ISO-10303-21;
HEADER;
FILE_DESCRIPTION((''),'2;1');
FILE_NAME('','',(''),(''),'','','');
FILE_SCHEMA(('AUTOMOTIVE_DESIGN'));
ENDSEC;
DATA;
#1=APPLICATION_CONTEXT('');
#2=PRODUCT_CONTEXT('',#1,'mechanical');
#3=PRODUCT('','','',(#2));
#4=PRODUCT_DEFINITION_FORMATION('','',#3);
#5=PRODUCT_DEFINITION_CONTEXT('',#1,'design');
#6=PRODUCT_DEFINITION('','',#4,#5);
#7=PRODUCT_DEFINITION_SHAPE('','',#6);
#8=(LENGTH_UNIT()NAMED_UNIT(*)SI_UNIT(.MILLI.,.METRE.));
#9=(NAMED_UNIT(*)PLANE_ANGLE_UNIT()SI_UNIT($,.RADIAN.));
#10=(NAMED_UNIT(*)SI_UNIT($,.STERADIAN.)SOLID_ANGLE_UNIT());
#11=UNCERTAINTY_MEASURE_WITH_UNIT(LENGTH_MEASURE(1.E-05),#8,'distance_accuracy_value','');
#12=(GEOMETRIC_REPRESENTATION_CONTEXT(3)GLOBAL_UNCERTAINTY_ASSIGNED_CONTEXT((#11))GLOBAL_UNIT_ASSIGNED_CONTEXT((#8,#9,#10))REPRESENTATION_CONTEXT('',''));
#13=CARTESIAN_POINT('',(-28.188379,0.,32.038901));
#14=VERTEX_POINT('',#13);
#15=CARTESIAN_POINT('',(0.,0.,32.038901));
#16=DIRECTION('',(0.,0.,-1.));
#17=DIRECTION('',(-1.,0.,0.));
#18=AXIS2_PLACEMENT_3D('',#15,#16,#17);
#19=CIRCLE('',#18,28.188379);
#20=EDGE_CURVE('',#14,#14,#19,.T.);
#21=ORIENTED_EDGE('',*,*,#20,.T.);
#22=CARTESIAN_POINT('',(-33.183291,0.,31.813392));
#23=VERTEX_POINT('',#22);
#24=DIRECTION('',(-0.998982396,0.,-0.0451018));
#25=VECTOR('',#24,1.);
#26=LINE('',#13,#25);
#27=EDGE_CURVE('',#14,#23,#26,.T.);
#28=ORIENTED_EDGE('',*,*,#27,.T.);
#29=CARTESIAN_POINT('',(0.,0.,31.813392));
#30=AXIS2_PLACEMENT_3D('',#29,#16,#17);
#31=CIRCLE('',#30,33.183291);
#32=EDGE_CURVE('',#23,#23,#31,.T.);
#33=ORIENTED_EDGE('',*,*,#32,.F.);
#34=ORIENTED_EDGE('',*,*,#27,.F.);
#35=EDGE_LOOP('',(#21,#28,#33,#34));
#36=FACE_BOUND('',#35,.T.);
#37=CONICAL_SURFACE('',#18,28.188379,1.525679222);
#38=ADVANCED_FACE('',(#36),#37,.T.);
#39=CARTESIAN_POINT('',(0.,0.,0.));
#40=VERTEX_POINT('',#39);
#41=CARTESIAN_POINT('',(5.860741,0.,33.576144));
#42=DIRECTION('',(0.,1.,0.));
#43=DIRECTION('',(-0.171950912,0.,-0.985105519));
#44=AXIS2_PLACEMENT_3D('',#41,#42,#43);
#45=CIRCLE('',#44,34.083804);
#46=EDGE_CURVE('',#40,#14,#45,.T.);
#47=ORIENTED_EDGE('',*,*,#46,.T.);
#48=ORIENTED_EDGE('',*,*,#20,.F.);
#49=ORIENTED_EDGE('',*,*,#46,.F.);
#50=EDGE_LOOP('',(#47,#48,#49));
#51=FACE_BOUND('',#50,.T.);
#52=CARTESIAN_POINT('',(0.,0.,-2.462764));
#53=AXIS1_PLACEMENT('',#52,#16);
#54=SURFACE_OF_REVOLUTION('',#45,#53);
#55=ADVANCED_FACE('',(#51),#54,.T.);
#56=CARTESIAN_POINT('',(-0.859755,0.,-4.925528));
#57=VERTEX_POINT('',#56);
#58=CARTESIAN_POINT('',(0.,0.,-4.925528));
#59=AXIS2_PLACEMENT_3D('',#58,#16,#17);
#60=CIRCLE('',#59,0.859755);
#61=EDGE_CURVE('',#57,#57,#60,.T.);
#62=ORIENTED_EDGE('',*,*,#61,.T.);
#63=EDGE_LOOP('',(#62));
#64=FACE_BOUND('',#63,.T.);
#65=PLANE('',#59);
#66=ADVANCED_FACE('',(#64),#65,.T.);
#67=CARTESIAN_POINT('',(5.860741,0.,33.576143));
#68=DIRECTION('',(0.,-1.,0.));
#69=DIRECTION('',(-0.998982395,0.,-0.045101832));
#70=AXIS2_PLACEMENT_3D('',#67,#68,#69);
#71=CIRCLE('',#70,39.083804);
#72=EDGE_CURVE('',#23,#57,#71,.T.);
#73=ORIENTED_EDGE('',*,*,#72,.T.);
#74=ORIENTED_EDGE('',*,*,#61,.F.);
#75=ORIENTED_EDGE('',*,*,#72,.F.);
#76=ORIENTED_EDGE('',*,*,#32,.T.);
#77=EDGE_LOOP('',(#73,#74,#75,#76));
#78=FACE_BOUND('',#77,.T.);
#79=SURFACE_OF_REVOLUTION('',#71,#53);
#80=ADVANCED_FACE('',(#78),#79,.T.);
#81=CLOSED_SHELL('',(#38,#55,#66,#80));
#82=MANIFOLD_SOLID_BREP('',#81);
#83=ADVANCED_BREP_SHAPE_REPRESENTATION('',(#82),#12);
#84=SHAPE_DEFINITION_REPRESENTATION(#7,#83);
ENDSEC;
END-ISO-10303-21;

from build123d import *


with BuildPart() as f1:
    # F0 (on Front) → F1 (revolve)
    with BuildSketch(Plane.XZ):
        with BuildLine():
            ThreePointArc((0, 0), (-19.72875, 11.062067), (-28.188379, 32.038901))
            Line((-28.188379, 32.038901), (-33.183291, 31.813392))
            ThreePointArc((-33.183291, 31.813392), (-23.482658, 7.759314), (-0.859755, -4.925528))
            Line((-0.859755, -4.925528), (0, -4.925528))
            Line((0, -4.925528), (0, 0))
        make_face()
    revolve(axis=Axis((0, 0, -2.462764), (0, 0, -1)))


solid = f1.part
